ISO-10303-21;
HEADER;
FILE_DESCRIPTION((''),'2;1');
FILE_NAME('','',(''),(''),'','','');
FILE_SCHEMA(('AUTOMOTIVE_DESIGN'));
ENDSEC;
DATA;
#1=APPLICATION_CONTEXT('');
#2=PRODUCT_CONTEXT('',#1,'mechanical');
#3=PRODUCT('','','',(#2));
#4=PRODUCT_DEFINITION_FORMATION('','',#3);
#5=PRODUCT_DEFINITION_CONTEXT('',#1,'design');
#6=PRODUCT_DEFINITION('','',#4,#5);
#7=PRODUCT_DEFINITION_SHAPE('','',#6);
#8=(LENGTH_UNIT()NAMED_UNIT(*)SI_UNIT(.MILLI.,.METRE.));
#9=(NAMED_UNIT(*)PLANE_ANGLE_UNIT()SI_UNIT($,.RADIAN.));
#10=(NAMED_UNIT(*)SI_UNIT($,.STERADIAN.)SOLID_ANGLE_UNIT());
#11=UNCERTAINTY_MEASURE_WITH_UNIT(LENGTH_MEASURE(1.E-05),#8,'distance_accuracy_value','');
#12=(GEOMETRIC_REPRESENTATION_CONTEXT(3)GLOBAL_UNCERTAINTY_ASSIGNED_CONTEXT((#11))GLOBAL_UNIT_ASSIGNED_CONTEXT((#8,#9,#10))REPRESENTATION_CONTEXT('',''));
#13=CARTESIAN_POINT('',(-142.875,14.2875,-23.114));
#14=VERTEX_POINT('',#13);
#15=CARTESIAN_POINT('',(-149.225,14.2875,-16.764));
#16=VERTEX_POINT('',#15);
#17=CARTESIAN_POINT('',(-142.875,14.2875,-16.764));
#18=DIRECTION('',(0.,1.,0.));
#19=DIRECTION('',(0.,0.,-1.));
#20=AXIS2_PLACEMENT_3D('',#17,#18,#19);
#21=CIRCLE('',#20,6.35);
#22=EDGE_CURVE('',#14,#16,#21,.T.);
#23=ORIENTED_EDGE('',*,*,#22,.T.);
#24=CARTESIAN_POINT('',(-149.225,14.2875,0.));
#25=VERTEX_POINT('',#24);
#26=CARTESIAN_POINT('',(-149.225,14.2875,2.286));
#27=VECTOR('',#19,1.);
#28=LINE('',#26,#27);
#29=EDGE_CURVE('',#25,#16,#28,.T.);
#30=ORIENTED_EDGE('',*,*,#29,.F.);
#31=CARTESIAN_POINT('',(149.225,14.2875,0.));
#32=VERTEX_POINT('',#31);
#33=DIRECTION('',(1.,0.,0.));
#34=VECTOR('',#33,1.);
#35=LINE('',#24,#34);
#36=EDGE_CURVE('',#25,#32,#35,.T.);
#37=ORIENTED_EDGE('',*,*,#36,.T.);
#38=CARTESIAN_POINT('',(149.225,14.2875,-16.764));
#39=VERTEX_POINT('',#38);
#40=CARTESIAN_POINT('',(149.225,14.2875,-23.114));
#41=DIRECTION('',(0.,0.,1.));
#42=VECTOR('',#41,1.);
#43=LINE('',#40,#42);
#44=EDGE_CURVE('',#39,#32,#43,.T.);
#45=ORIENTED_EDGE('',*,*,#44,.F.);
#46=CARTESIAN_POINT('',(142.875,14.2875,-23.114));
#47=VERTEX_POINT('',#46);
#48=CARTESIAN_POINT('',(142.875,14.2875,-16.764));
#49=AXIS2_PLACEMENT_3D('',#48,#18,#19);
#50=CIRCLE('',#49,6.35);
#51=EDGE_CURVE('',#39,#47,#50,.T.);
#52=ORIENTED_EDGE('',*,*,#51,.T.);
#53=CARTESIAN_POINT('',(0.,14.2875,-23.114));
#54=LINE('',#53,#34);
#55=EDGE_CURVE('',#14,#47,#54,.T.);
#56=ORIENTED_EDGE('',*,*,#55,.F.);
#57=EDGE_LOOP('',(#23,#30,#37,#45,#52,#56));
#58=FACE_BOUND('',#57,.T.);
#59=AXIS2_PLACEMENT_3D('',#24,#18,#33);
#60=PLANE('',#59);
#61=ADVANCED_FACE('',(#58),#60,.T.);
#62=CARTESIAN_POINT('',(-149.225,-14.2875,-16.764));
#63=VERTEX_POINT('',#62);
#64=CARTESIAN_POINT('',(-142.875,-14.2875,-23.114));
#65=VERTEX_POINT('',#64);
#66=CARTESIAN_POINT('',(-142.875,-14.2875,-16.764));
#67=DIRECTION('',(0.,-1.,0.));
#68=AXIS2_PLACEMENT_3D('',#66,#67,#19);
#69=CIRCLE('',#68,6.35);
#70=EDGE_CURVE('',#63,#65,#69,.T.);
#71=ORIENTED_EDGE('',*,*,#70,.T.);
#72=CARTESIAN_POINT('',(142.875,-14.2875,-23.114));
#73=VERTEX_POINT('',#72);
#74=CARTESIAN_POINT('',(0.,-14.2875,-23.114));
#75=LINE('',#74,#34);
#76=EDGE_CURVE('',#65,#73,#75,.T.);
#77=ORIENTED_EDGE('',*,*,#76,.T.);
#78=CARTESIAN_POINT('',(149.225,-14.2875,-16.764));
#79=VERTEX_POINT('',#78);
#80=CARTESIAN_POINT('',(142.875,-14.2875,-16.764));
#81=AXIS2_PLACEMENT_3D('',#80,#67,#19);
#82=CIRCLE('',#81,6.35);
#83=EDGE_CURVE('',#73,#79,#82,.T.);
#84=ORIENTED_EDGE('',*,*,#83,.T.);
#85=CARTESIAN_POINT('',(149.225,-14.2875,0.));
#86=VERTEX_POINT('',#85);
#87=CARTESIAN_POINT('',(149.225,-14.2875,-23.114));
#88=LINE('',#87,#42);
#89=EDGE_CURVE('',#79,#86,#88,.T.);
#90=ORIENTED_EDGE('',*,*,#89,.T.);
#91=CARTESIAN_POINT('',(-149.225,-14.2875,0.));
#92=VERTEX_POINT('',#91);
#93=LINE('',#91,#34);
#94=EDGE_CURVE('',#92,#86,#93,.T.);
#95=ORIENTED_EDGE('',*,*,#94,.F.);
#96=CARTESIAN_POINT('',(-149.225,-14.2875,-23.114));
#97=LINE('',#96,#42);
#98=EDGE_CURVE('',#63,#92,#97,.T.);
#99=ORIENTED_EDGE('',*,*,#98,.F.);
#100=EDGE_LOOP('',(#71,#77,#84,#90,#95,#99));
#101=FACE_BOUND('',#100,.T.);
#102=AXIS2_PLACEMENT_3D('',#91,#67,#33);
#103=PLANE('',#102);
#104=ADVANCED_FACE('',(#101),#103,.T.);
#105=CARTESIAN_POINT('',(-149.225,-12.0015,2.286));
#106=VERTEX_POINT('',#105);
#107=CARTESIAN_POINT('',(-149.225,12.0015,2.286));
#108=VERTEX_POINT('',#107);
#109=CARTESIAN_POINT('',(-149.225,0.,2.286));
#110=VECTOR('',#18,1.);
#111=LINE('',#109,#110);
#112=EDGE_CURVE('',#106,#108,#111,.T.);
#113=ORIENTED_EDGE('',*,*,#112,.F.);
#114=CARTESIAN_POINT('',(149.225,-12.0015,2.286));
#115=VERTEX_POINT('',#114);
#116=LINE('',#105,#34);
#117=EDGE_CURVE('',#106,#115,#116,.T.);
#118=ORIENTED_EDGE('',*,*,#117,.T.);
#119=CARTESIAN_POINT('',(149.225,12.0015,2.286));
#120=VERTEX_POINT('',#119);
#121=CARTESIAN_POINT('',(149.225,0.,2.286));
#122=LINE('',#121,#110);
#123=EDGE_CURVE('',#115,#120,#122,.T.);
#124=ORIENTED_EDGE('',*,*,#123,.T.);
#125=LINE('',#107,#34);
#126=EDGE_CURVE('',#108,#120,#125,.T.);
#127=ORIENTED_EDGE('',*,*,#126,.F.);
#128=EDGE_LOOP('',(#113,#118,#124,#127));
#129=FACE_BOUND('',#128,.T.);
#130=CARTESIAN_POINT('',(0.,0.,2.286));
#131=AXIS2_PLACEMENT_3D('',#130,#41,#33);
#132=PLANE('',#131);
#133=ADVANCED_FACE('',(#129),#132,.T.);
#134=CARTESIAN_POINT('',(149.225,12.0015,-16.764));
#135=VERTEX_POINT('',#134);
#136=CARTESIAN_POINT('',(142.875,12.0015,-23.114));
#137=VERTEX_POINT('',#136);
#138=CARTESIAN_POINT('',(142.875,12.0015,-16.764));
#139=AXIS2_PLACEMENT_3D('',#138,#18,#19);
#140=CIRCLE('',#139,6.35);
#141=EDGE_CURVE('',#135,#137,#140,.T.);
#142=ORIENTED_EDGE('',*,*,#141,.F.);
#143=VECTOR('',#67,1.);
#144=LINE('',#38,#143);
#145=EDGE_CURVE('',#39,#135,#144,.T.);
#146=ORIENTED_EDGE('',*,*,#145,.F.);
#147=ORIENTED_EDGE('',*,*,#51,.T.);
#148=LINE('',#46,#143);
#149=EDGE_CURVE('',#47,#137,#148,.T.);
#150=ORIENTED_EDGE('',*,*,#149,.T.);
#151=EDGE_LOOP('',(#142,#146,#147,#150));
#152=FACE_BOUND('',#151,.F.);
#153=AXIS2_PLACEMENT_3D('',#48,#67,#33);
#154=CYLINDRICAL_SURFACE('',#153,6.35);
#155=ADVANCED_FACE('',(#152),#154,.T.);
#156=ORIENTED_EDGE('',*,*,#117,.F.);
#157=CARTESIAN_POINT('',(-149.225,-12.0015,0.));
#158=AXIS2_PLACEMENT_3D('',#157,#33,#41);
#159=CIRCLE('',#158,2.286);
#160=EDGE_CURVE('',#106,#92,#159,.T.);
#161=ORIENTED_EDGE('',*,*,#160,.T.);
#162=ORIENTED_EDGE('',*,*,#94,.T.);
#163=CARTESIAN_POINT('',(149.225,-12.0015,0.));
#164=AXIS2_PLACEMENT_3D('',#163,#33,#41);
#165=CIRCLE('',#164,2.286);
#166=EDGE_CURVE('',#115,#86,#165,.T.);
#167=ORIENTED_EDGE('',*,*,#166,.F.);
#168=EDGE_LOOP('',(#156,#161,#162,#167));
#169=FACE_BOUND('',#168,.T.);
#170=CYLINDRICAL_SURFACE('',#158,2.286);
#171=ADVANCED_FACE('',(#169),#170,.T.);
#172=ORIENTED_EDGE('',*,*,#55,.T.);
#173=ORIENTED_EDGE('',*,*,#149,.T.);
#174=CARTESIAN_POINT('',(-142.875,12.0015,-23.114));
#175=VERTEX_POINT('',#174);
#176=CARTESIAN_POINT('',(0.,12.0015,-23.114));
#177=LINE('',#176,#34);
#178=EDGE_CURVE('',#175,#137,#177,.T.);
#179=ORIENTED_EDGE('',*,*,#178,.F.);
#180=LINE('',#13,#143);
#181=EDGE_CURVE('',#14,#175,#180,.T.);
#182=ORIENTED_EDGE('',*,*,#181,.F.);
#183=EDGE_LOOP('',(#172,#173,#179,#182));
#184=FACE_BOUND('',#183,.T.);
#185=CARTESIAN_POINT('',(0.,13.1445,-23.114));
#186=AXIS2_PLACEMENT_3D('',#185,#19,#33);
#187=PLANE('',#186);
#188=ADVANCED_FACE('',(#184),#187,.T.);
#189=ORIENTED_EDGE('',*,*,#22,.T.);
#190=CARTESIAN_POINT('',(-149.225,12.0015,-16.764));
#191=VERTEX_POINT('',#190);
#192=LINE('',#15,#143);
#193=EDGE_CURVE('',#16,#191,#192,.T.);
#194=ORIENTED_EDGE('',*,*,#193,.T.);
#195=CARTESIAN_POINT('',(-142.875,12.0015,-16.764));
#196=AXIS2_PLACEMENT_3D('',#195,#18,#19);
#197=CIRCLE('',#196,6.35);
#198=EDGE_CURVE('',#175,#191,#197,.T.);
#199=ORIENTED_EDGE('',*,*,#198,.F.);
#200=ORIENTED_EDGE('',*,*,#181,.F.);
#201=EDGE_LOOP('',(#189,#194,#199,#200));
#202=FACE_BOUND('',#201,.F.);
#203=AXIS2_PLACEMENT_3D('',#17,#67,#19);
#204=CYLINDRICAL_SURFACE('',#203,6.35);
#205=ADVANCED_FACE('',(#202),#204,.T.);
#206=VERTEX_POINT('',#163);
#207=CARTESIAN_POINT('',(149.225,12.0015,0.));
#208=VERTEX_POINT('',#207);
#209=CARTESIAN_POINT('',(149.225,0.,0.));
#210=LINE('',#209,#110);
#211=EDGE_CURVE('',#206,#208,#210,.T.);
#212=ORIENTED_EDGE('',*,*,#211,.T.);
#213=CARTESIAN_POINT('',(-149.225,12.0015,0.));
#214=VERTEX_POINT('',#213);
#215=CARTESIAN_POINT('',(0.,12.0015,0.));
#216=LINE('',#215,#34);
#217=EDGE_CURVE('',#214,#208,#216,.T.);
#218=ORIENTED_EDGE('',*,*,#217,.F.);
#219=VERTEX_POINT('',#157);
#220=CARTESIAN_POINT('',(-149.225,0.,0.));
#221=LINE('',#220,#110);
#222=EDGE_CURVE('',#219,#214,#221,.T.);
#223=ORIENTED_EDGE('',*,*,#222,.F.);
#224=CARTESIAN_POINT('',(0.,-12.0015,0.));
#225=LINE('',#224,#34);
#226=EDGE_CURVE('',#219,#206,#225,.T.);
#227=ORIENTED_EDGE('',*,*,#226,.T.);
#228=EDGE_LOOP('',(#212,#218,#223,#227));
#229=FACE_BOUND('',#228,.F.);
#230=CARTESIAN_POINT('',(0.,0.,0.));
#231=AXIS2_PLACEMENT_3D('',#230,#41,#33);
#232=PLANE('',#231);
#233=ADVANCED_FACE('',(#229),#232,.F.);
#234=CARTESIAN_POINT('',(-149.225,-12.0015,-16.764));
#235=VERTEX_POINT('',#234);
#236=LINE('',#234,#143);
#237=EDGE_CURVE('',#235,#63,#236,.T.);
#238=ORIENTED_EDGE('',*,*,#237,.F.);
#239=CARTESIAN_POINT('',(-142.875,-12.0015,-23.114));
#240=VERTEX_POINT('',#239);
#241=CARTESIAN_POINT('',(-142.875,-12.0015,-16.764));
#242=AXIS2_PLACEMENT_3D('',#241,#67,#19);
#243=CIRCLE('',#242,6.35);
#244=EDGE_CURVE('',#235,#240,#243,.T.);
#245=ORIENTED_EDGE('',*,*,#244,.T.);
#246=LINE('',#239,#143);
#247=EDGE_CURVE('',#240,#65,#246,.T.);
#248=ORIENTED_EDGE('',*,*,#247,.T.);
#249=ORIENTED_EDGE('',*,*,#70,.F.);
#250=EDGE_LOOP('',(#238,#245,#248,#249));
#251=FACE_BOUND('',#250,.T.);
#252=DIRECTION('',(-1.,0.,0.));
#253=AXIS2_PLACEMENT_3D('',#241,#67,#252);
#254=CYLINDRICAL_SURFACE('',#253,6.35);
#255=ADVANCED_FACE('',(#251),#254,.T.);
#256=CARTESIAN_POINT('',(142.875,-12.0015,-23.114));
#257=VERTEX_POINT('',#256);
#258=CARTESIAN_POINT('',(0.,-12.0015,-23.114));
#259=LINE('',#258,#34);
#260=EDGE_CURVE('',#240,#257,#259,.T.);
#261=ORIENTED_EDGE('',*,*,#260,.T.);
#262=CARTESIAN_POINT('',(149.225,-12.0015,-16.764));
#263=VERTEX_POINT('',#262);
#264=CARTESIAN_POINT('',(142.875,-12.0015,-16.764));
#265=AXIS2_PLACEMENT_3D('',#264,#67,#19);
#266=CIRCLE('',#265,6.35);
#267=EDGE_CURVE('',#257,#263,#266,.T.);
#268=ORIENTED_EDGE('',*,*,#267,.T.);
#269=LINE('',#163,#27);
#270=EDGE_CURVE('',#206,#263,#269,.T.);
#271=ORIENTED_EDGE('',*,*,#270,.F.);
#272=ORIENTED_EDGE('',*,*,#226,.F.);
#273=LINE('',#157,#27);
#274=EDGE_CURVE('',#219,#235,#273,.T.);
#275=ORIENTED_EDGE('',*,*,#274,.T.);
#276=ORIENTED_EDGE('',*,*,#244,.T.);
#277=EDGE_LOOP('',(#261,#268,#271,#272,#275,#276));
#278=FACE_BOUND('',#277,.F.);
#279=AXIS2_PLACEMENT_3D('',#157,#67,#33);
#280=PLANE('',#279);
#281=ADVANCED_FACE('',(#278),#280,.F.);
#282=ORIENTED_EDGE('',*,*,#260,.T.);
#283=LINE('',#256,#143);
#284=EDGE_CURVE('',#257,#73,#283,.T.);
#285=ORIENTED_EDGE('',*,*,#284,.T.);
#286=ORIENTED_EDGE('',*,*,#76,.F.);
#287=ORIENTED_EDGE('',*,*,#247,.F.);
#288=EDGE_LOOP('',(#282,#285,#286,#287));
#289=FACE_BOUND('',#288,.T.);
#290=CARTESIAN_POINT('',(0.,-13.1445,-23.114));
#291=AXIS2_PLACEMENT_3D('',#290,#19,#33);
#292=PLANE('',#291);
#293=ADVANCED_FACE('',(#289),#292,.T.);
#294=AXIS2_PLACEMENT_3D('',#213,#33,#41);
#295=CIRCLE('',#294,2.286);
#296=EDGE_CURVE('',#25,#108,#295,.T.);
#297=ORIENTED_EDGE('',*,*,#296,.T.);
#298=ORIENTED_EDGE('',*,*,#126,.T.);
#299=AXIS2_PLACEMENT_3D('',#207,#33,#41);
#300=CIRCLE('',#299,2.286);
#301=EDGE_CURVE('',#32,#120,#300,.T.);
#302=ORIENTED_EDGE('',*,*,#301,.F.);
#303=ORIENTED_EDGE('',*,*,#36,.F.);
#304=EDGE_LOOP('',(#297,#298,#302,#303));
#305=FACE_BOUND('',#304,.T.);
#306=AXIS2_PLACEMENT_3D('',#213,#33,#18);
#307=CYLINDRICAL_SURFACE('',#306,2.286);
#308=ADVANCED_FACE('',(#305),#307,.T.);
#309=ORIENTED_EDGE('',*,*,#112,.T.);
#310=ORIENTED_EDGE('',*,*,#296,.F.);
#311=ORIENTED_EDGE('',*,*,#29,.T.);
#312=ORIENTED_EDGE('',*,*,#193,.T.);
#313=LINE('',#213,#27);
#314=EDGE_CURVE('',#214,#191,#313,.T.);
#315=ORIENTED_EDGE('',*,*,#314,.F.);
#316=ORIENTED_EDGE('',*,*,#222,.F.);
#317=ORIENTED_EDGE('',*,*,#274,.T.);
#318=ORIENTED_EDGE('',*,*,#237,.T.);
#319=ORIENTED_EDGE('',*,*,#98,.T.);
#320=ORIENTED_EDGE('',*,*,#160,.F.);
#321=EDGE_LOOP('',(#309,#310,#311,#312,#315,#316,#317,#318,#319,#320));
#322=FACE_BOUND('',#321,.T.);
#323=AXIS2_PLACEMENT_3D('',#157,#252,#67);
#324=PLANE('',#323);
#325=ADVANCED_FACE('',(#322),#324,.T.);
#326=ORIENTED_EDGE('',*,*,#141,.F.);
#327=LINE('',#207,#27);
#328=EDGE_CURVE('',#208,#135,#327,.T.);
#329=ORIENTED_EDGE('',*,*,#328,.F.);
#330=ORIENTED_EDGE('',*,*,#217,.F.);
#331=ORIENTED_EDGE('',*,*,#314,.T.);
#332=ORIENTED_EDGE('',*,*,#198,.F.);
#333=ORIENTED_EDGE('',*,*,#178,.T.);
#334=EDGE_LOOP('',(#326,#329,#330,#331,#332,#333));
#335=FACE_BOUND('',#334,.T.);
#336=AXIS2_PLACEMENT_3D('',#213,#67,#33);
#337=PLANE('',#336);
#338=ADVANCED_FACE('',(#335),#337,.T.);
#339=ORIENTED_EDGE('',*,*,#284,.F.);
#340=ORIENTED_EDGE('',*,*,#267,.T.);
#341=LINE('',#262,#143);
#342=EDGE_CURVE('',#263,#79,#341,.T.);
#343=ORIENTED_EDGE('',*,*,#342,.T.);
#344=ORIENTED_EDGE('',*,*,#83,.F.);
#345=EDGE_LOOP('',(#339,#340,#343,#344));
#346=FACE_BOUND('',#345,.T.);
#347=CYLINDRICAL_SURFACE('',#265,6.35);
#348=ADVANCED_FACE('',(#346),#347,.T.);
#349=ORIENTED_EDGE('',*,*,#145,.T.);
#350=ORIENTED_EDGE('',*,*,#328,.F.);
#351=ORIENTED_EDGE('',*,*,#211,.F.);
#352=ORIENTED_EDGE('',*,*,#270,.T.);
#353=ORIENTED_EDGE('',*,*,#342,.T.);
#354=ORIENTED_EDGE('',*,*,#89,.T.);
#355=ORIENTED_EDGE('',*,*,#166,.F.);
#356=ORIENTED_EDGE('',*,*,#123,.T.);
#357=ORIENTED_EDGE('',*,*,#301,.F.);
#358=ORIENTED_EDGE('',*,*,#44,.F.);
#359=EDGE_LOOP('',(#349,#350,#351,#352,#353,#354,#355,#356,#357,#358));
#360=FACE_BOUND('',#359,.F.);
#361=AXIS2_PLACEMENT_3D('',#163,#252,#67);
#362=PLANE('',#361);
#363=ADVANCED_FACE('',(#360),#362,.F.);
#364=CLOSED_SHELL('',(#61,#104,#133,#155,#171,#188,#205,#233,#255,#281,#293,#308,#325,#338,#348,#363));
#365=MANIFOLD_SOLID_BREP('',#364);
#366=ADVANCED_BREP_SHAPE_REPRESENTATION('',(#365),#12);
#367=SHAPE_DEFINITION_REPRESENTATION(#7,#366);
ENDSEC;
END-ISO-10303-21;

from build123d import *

# Parameters (mm, degrees)
F0_W     = 298.45
F0_H     = 28.575
F1_DEPTH = 2.286
F2_W     = 298.45
F2_H     = 2.286
F3_DEPTH = 23.114
F4_R     = 2.286
F5_R     = 6.35
F6_R     = 6.35
F7_R     = 6.35


with BuildPart() as f1:
    # F0 (on Top) → F1 (new body)
    with BuildSketch(Plane.XY):
        Rectangle(F0_W, F0_H)
    extrude(amount=F1_DEPTH)

    # F2 (on face) → F3 (join)
    with BuildSketch(Plane(origin=(0, 0, 0), x_dir=(1, 0, 0), z_dir=(0, 0, -1))):
        with Locations((0, 13.1445)):
            Rectangle(F2_W, F2_H)
        with Locations((0, -13.1445)):
            Rectangle(F2_W, F2_H)
    extrude(amount=F3_DEPTH)

    # F4
    f4_edges = [f1.edges().sort_by_distance(p)[0] for p in [
        (0, -14.2875, 2.286),
        (0, 14.2875, 2.286),
    ]]
    fillet(f4_edges, radius=F4_R)

    # F5
    f5_edges = [f1.edges().sort_by_distance(p)[0] for p in [
        (149.225, -13.1445, -23.114),
    ]]
    fillet(f5_edges, radius=F5_R)

    # F6
    f6_edges = [f1.edges().sort_by_distance(p)[0] for p in [
        (149.225, 13.1445, -23.114),
    ]]
    fillet(f6_edges, radius=F6_R)

    # F7
    f7_edges = [f1.edges().sort_by_distance(p)[0] for p in [
        (-149.225, -13.1445, -23.114),
        (-149.225, 13.1445, -23.114),
    ]]
    fillet(f7_edges, radius=F7_R)


solid = f1.part
